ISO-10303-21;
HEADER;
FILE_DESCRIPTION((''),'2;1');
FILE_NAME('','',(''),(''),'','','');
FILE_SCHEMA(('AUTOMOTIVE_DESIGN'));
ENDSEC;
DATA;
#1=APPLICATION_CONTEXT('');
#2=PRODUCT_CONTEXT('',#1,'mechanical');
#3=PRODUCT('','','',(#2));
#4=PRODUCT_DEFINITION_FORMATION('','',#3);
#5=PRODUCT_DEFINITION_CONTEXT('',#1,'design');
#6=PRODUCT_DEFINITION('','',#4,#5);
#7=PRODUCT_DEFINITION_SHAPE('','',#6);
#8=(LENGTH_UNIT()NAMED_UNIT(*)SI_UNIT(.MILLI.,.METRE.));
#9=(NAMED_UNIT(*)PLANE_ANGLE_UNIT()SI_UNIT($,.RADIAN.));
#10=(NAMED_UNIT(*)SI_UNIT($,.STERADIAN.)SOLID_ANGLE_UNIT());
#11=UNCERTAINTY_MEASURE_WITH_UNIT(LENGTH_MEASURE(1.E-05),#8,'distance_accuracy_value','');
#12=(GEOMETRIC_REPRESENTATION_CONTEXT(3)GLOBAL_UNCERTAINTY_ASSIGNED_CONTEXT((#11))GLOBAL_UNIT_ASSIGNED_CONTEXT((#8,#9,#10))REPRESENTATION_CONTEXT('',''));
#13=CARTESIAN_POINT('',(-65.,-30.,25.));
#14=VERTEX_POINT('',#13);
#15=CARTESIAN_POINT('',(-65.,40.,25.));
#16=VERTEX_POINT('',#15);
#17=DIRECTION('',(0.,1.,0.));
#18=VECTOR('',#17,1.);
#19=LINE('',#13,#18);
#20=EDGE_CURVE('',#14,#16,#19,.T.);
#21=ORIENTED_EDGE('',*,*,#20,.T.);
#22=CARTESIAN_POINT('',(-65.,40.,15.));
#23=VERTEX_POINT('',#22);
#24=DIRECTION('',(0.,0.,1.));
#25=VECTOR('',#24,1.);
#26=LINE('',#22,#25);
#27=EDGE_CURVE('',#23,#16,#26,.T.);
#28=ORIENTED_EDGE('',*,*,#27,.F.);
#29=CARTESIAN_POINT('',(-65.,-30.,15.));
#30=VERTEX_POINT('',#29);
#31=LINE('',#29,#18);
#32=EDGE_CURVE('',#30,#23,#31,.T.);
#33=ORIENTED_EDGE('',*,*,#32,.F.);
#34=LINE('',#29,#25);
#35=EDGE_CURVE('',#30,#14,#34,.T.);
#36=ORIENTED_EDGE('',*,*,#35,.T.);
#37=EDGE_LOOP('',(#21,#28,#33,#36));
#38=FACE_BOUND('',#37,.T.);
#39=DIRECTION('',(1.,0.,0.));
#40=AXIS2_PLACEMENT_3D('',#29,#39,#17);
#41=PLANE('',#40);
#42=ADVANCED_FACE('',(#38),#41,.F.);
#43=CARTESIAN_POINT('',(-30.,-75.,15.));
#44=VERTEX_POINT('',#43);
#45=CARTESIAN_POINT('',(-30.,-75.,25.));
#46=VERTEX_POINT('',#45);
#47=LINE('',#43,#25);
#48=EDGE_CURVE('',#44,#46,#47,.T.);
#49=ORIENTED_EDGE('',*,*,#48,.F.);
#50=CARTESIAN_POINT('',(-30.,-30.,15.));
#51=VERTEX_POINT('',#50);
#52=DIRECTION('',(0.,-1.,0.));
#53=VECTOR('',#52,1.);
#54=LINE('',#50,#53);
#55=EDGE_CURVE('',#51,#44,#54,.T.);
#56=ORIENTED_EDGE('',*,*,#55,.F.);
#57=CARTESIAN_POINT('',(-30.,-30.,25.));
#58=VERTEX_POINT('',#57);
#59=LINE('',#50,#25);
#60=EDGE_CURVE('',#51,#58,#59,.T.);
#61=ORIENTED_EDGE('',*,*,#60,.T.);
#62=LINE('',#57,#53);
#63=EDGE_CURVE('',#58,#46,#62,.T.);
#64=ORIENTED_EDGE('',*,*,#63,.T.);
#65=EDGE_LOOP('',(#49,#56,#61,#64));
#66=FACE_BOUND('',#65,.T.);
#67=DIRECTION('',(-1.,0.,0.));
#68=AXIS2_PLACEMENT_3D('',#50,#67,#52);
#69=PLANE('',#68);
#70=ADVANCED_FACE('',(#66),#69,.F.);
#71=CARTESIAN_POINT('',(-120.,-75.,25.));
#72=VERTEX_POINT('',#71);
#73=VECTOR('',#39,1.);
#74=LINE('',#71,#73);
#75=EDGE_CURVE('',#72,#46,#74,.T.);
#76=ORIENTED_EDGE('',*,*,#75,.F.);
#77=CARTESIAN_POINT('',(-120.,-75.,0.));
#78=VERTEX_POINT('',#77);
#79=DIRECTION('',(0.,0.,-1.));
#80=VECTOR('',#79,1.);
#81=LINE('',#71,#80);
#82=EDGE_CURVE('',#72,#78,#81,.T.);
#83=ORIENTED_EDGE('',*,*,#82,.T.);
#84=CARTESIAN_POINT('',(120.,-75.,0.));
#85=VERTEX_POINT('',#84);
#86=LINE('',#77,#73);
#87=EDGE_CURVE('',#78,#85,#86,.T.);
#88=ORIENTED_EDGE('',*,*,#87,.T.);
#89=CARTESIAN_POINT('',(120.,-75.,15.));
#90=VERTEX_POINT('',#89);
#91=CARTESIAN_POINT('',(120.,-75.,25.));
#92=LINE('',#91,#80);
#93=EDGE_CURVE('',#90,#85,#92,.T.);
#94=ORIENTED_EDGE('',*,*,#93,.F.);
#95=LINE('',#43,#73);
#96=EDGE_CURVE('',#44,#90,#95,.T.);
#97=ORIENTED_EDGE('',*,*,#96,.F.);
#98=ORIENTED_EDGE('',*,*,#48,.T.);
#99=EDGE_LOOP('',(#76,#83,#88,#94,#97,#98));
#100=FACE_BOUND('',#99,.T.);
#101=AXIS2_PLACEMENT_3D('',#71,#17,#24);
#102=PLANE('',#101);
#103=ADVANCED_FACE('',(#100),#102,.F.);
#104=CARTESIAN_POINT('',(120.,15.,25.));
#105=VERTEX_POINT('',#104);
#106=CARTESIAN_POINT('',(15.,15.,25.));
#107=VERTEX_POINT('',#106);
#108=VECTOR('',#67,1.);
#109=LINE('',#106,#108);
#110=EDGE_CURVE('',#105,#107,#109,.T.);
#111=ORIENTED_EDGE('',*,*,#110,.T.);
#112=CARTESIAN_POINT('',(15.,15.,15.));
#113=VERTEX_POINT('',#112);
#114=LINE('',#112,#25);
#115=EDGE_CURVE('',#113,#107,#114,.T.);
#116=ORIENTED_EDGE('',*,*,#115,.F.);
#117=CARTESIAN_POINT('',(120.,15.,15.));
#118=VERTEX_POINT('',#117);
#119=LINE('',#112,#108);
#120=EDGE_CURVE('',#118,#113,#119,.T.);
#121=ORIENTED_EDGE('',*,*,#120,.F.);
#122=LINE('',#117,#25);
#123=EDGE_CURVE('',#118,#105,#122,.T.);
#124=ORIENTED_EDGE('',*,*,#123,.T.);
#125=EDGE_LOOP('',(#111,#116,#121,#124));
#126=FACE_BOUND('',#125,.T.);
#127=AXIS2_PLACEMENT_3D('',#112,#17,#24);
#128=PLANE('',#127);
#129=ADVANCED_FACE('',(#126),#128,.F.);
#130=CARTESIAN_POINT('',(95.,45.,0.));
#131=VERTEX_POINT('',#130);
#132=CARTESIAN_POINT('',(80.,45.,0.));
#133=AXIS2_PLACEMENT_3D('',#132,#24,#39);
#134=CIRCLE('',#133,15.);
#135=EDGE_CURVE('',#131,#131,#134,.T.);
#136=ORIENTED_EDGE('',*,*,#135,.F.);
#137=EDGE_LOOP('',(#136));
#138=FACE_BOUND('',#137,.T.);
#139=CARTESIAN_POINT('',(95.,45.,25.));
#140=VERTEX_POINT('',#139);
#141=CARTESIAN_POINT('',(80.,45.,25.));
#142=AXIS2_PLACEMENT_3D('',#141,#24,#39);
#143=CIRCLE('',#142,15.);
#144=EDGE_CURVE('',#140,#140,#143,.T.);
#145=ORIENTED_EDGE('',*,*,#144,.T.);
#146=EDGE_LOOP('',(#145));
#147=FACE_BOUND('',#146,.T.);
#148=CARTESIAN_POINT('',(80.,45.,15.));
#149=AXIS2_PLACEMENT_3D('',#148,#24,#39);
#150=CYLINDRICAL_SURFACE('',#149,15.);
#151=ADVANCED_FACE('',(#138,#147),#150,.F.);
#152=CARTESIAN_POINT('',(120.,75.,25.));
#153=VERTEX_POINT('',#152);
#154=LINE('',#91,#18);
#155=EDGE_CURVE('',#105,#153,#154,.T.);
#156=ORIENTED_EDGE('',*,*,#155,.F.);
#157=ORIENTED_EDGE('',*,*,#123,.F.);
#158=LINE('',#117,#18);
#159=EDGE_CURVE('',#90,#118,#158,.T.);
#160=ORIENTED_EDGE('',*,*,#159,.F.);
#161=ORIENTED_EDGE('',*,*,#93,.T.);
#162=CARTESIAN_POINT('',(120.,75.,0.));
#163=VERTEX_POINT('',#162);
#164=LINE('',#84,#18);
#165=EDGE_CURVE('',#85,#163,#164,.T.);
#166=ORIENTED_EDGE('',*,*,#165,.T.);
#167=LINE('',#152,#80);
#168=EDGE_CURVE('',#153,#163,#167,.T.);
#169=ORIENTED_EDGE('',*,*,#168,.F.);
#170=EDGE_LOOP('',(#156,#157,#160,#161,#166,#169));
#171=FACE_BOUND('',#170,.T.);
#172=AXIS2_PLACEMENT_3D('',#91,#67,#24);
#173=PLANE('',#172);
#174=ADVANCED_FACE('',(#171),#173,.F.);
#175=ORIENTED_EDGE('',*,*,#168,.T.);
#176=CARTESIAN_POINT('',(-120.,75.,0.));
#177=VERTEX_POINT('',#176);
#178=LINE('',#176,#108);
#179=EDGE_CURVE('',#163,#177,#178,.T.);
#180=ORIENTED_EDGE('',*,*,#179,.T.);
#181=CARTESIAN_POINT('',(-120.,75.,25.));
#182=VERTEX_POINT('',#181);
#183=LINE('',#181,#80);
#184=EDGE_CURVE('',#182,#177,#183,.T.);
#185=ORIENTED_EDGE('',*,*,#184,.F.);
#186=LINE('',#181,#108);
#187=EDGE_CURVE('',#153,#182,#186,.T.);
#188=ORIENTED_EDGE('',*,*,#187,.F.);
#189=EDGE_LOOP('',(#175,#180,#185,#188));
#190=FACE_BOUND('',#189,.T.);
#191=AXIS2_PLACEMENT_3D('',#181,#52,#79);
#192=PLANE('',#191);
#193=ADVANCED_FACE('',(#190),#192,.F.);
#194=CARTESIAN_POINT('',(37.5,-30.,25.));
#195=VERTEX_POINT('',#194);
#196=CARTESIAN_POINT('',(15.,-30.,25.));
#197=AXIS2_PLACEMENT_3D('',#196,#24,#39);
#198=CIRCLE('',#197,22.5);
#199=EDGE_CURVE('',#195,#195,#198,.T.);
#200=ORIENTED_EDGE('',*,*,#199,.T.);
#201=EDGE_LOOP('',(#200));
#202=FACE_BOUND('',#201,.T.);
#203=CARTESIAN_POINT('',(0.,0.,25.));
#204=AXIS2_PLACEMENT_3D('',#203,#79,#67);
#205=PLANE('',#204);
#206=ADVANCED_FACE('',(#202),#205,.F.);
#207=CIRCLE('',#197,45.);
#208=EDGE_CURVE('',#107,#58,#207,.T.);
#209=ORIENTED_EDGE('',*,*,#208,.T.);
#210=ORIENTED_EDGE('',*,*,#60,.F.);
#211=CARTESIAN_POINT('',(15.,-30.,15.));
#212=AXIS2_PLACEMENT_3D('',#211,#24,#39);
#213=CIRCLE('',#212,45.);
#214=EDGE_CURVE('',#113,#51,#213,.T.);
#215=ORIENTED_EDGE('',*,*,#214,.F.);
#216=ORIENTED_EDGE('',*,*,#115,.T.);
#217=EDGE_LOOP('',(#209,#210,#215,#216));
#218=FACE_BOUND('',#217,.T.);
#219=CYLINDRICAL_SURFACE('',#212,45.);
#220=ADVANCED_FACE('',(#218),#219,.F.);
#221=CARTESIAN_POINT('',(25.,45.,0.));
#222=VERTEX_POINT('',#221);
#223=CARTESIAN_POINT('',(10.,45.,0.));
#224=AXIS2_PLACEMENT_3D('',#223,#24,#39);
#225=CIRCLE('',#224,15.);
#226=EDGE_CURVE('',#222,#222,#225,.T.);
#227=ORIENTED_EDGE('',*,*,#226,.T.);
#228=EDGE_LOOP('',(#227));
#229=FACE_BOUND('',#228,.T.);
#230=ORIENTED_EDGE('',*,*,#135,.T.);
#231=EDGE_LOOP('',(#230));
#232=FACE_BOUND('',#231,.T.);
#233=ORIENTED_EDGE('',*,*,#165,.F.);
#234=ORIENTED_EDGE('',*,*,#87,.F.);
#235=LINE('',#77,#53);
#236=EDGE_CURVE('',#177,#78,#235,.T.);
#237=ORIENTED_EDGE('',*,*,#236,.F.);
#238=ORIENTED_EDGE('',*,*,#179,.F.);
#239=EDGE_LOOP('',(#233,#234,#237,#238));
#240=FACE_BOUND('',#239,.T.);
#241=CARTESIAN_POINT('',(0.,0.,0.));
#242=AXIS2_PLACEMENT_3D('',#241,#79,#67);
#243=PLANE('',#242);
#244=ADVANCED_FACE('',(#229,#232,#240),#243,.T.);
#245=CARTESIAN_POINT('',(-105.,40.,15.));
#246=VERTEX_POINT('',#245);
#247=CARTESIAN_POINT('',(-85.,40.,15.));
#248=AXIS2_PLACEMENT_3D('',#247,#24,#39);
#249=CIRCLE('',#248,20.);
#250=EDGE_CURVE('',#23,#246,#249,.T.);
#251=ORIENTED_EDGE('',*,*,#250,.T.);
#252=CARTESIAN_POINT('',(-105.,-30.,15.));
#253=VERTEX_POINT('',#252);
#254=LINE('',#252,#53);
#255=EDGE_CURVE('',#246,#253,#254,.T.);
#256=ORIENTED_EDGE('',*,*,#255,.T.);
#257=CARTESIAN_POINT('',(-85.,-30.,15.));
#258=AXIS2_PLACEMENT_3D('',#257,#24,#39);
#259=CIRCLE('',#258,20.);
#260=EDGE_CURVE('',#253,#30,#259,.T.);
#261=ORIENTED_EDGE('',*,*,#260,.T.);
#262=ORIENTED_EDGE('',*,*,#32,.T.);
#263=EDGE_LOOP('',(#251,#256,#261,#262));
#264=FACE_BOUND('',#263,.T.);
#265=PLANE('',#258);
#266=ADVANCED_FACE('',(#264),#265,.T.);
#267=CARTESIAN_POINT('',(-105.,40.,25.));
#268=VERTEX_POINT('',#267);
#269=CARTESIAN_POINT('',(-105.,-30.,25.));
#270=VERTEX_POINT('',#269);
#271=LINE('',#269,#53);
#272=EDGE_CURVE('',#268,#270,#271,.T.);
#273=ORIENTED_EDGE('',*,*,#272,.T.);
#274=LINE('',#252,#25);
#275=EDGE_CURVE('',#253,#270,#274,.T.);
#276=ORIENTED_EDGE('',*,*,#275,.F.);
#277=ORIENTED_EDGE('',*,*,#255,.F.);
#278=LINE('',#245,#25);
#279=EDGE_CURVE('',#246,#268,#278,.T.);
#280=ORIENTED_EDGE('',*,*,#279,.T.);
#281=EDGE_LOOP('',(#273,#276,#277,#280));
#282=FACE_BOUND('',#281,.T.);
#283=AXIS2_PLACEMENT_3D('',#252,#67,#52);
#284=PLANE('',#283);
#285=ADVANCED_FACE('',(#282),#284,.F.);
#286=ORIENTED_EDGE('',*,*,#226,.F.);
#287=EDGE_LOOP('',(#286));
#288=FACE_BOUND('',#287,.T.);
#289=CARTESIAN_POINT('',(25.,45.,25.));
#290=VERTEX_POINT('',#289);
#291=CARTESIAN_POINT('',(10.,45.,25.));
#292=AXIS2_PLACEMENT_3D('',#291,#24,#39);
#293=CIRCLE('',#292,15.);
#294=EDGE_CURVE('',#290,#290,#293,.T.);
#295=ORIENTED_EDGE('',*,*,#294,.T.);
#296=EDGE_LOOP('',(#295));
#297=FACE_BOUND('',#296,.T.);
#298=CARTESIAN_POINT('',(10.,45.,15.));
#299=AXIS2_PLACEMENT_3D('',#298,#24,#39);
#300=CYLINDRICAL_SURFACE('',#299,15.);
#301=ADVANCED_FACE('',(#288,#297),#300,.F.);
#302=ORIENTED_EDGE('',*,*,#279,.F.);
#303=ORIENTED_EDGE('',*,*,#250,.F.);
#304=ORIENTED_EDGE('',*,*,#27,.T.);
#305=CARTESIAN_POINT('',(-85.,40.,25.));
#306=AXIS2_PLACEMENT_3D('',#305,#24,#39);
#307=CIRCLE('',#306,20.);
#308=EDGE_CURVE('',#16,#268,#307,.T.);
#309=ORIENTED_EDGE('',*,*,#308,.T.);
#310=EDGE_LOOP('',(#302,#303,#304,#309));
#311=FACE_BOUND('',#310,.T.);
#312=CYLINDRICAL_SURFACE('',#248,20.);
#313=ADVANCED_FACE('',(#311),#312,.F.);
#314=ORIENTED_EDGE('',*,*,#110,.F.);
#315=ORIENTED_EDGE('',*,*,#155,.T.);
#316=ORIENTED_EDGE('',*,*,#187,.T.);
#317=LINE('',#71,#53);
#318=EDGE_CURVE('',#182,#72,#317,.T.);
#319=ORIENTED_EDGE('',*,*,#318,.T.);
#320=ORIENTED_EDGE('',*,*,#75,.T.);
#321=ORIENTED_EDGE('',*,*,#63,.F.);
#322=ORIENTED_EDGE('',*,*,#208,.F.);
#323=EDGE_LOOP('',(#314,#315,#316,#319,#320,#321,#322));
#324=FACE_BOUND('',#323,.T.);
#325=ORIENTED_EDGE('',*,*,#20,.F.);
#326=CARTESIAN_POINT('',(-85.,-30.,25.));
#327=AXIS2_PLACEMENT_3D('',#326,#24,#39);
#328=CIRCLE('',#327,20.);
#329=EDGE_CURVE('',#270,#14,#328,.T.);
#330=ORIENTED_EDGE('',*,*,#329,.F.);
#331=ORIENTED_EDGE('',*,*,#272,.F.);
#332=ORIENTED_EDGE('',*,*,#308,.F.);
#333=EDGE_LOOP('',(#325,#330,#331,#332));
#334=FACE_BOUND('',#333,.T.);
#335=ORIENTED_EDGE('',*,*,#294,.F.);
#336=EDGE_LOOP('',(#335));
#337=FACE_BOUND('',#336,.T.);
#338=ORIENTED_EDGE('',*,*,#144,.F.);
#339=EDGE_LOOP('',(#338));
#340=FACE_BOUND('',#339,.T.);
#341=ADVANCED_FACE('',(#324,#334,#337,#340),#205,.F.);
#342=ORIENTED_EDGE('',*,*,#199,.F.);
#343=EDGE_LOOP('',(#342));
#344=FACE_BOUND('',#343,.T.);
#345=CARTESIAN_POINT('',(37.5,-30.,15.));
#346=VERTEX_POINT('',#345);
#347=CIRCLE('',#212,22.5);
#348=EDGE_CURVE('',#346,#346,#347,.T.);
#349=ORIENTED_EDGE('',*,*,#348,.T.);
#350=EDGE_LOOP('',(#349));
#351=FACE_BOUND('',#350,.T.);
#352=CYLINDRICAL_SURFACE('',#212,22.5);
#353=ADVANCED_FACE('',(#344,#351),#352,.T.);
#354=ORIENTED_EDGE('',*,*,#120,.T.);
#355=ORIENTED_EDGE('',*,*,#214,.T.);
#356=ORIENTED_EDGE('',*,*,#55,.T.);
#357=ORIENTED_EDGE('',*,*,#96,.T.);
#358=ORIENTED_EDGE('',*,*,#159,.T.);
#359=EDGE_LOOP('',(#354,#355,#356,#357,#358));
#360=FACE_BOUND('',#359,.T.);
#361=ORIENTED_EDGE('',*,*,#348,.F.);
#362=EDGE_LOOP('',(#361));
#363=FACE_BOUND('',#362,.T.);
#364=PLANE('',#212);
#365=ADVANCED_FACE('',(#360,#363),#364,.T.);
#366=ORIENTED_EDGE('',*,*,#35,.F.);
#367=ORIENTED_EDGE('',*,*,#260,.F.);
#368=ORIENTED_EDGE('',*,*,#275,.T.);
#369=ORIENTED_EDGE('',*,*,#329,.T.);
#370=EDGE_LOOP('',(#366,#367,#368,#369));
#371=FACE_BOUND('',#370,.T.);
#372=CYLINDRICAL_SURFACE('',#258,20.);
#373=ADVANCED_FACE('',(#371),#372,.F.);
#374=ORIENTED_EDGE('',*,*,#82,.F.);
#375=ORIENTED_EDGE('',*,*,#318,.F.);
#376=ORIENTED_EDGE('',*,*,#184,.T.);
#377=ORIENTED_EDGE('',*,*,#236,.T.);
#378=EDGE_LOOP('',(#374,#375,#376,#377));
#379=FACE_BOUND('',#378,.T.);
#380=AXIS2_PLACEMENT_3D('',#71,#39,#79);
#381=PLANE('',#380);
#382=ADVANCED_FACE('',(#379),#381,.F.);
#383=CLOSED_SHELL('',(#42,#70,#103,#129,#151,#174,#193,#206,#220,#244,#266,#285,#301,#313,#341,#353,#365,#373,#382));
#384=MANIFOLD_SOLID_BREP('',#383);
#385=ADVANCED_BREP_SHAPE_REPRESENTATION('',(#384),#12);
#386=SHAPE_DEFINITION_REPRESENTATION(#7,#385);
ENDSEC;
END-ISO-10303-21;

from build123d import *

# Parameters (mm, degrees)
SKETCH1_W           = 240
SKETCH1_H           = 150
BOSS_EXTRUDE1_DEPTH = 25
SKETCH2_R           = 15
SKETCH2_R_2         = 22.5
CUT_EXTRUDE1_DEPTH  = 10
SKETCH3_R           = 15
CUT_EXTRUDE2_DEPTH  = 143.302494708


with BuildPart() as part:
    # Sketch1 → Boss-Extrude1 (new body)
    with BuildSketch(Plane.XY):
        Rectangle(SKETCH1_W, SKETCH1_H)
    extrude(amount=BOSS_EXTRUDE1_DEPTH)

    # Sketch2 → Cut-Extrude1 (cut)
    # profile 1 of 4: a face of its own
    with BuildSketch(Plane.XY.offset(25)):
        with Locations((10, 45)):
            Circle(SKETCH2_R)
    # profile 2 of 4: a face of its own
    with BuildSketch(Plane.XY.offset(25)):
        with Locations((80, 45)):
            Circle(SKETCH2_R)
    # profile 3 of 4: a face of its own
    with BuildSketch(Plane.XY.offset(25)):
        with BuildLine():
            Line((-105, -30), (-105, 40))
            ThreePointArc((-105, 40), (-85, 60), (-65, 40))
            Line((-65, 40), (-65, -30))
            ThreePointArc((-65, -30), (-85, -50), (-105, -30))
        make_face()
    # profile 4 of 4: a face of its own
    with BuildSketch(Plane.XY.offset(25)):
        with BuildLine():
            Line((15, 15), (120, 15))
            Line((120, 15), (120, -75))
            Line((120, -75), (-30, -75))
            Line((-30, -75), (-30, -30))
            ThreePointArc((-30, -30), (-16.819805153, 1.819805153), (15, 15))
        make_face()
        with Locations((15, -30)):
            Circle(SKETCH2_R_2, mode=Mode.SUBTRACT)
    extrude(amount=-CUT_EXTRUDE1_DEPTH, mode=Mode.SUBTRACT)

    # Sketch3 → Cut-Extrude2 (cut, through all)
    with BuildSketch(Plane.XY.offset(15)):
        with Locations((10, 45)):
            Circle(SKETCH3_R)
        with Locations((80, 45)):
            Circle(SKETCH3_R)
    extrude(amount=-CUT_EXTRUDE2_DEPTH, mode=Mode.SUBTRACT)


solid = part.part
